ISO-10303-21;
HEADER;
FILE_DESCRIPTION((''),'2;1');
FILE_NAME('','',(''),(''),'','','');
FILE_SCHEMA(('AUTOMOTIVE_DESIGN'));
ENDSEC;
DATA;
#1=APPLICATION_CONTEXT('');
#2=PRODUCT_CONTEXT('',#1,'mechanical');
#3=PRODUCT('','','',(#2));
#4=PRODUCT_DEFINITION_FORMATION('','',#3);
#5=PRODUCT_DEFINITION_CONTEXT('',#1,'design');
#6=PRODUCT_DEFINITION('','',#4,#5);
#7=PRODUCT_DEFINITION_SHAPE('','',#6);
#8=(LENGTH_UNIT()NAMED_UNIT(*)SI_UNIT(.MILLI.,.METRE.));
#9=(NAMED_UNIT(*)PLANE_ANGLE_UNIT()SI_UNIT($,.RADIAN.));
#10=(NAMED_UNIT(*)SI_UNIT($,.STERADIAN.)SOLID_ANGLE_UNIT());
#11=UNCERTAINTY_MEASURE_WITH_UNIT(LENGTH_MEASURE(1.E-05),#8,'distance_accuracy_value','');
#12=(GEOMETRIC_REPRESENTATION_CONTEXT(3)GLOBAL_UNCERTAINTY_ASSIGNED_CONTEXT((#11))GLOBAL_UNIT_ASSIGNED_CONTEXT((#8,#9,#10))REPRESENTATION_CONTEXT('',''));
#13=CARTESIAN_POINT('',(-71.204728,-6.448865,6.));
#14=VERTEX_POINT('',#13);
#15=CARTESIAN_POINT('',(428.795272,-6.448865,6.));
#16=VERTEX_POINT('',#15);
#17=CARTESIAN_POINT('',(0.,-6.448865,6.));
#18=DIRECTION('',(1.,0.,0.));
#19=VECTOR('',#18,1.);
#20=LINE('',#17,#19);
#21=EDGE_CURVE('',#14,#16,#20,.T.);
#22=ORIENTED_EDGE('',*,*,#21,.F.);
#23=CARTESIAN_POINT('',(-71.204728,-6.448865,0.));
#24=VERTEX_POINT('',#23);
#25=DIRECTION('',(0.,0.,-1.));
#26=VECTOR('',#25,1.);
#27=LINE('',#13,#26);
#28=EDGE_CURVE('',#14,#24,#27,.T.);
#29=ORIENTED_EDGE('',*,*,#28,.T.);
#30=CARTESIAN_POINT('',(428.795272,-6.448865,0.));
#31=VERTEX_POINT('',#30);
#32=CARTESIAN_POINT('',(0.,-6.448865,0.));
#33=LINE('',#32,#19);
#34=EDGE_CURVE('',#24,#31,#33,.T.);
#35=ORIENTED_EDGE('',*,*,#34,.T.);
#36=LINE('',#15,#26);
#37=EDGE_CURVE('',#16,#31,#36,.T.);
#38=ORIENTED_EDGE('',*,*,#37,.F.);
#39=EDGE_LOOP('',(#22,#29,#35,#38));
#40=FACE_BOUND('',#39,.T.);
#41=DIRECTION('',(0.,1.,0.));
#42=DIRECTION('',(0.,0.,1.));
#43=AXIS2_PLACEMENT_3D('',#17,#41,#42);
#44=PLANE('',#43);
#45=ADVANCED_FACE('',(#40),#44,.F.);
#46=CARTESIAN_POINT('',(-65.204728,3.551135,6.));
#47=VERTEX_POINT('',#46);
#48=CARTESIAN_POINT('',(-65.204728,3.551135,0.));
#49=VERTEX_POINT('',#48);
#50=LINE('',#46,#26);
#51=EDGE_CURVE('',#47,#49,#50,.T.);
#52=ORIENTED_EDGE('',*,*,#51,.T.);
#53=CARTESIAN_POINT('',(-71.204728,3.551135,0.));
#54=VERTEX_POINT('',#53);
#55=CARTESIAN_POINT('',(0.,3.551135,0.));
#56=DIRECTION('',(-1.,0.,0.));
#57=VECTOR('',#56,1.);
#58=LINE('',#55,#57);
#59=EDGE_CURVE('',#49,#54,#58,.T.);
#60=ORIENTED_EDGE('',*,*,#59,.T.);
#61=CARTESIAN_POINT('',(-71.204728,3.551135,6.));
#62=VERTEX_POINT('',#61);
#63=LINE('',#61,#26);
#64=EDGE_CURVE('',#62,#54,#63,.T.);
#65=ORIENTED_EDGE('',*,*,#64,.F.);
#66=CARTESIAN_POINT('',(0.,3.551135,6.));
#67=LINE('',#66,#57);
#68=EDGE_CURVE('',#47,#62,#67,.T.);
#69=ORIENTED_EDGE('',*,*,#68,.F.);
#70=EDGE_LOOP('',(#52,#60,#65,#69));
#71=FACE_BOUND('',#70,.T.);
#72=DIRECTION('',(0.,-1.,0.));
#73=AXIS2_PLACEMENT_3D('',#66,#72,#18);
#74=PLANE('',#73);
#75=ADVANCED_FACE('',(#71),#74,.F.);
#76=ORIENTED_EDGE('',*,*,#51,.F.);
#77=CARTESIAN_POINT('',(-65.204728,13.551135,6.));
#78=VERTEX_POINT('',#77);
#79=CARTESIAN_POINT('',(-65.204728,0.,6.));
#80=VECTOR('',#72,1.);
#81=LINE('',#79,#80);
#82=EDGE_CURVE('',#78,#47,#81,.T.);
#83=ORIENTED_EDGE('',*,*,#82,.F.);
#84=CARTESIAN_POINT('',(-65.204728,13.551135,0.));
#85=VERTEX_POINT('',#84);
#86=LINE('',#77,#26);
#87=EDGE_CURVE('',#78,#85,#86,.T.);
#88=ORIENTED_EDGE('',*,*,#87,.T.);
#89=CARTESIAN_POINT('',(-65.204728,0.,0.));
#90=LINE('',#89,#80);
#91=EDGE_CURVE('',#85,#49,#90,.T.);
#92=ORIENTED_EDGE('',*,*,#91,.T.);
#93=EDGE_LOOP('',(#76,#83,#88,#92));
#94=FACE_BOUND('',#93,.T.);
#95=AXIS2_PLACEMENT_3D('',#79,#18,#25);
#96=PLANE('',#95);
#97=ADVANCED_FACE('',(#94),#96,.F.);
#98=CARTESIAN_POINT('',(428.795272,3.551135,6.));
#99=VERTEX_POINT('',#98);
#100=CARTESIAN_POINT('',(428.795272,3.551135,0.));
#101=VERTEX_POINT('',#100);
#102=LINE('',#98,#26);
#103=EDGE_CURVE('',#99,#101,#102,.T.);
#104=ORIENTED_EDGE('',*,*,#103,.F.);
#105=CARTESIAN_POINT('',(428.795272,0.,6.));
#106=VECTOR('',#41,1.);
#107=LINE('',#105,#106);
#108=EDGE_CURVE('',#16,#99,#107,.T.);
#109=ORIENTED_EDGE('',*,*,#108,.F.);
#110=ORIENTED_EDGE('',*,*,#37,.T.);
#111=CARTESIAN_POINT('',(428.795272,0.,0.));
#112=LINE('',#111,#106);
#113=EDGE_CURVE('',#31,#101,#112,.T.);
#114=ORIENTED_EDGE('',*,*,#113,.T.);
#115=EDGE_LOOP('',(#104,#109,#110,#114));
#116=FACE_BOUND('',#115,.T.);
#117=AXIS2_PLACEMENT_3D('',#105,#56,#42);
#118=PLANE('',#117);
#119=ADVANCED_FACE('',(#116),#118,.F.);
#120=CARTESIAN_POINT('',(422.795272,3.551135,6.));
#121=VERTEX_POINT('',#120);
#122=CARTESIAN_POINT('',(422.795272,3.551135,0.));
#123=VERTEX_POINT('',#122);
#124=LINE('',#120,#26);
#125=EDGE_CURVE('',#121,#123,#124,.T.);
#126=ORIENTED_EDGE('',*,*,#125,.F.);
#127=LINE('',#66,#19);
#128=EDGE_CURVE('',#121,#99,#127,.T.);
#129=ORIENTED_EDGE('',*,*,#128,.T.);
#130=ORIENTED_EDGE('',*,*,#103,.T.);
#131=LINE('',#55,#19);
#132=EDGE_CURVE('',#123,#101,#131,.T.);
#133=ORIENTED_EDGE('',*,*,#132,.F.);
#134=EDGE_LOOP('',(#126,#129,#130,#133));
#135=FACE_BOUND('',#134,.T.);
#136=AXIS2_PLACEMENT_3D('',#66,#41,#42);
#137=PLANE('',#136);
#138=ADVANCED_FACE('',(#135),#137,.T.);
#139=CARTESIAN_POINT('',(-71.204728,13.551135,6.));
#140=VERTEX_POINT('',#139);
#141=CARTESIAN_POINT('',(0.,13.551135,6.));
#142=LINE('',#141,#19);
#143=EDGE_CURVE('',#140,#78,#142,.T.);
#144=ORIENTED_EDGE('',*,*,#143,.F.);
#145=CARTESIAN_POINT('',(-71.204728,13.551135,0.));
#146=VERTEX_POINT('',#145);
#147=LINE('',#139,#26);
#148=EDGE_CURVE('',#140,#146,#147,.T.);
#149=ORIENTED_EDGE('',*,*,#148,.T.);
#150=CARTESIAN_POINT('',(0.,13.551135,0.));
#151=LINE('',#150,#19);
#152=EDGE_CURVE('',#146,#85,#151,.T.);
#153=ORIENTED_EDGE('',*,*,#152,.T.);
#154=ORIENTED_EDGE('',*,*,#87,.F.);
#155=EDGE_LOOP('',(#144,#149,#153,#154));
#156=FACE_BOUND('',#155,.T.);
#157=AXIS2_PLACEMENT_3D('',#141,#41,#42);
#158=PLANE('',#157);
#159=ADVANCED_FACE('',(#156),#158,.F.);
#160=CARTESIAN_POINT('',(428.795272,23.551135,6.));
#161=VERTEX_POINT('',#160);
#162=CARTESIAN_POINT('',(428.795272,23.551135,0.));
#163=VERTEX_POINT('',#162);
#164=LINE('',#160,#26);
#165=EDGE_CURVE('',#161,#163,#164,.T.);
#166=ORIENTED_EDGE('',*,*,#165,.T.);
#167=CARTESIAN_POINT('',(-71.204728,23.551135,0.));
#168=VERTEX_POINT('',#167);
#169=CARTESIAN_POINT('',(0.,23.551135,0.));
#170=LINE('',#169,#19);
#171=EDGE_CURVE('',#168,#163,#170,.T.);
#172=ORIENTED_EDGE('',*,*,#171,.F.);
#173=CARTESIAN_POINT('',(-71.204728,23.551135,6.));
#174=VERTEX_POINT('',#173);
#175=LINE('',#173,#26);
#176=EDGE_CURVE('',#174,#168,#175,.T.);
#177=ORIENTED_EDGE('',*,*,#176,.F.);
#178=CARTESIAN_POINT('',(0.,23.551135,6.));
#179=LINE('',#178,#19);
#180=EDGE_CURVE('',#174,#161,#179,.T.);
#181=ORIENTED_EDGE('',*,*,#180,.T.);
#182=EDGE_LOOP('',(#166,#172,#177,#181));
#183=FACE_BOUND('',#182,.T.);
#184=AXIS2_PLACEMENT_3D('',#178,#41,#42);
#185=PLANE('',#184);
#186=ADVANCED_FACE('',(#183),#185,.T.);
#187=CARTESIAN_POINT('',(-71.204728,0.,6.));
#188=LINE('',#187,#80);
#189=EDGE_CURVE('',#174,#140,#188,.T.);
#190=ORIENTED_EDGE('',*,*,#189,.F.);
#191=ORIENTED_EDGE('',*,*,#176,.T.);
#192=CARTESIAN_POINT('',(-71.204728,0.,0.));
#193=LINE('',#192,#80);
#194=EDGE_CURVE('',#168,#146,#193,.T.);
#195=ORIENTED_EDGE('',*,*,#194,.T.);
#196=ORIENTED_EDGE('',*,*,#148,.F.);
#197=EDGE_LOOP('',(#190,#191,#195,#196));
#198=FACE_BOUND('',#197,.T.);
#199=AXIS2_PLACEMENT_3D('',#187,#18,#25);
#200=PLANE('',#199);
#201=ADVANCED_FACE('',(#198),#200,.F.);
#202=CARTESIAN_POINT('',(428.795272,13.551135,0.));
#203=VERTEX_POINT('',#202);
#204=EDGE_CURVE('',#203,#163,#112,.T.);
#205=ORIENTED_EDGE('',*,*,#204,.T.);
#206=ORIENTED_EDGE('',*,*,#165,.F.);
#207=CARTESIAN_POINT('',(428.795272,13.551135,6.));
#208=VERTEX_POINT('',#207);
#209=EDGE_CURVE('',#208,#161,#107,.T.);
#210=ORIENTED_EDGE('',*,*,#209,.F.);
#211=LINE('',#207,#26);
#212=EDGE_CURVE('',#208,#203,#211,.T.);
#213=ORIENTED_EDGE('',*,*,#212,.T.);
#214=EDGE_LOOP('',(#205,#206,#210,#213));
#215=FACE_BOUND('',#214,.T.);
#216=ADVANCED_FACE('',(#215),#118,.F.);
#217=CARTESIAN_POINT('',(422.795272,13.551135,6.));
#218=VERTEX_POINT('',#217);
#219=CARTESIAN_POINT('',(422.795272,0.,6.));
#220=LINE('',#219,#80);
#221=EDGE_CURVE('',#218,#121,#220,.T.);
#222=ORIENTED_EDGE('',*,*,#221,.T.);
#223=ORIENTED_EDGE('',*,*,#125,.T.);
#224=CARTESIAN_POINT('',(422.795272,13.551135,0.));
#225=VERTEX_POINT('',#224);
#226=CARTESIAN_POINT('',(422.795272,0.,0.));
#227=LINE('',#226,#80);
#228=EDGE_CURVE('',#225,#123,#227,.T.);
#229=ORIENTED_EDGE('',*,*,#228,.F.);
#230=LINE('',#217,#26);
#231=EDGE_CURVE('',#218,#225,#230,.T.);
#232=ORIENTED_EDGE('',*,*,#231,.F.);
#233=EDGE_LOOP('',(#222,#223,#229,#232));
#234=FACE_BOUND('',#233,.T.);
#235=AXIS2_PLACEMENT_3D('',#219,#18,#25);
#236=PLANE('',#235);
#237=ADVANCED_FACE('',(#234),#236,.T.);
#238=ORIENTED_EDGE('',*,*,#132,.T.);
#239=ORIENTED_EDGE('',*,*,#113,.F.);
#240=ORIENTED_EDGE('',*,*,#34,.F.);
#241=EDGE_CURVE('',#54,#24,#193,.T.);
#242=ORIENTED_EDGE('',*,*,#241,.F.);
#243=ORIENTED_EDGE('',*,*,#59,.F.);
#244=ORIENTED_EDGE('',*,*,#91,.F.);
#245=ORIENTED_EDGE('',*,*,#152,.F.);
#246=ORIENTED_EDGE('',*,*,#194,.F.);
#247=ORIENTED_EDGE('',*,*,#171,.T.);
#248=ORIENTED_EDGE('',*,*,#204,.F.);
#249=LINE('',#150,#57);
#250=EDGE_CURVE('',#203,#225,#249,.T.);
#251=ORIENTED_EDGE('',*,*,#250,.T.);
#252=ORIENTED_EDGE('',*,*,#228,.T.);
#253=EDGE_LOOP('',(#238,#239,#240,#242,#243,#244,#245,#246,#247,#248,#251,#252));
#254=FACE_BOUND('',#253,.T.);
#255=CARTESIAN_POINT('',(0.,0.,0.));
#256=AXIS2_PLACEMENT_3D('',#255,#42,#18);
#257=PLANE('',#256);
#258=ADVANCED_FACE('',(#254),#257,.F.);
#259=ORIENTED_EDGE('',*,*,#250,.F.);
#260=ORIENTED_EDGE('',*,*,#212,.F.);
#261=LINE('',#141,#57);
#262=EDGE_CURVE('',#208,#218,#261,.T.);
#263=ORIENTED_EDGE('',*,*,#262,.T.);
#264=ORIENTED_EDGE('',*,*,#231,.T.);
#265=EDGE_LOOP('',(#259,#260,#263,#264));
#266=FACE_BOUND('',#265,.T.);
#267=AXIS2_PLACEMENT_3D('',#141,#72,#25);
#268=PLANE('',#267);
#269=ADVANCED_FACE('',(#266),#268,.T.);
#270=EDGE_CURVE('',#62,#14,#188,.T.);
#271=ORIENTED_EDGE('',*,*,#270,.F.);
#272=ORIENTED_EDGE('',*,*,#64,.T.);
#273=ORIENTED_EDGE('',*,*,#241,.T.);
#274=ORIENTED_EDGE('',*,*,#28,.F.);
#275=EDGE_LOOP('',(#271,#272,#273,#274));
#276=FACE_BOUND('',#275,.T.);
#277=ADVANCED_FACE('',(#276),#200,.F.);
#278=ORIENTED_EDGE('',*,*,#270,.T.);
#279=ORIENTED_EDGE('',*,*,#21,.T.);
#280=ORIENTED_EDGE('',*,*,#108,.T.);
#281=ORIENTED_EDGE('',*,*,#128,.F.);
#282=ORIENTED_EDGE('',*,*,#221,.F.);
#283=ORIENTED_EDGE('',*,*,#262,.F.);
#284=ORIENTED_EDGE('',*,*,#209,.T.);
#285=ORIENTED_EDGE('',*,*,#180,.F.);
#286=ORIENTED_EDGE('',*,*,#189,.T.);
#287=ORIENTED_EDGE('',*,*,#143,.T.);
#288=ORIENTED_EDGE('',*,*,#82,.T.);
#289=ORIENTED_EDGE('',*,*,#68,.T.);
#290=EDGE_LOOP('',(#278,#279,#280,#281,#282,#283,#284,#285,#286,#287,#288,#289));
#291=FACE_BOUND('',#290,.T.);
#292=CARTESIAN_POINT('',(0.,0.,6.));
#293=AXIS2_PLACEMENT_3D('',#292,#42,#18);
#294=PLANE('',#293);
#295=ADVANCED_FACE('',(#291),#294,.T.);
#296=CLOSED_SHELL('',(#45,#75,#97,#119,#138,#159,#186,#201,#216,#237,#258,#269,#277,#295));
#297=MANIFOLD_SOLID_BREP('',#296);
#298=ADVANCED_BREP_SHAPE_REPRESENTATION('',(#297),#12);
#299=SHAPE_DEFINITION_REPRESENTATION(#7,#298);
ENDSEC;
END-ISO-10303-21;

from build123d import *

# Parameters (mm, degrees)
SALIENTE_EXTRUIR1_DEPTH = 6


with BuildPart() as part:
    # Croquis1 → Saliente-Extruir1 (new body)
    with BuildSketch(Plane.XY):
        Polygon((428.795272116, 23.551135442), (-71.204727884, 23.551135442), (-71.204727884, 13.551135442), (-65.204727884, 13.551135442), (-65.204727884, 3.551135442), (-71.204727884, 3.551135442), (-71.204727884, -6.448864558), (428.795272116, -6.448864558), (428.795272116, 3.551135442), (422.795272116, 3.551135442), (422.795272116, 13.551135442), (428.795272116, 13.551135442), align=None)
    extrude(amount=SALIENTE_EXTRUIR1_DEPTH)


solid = part.part
